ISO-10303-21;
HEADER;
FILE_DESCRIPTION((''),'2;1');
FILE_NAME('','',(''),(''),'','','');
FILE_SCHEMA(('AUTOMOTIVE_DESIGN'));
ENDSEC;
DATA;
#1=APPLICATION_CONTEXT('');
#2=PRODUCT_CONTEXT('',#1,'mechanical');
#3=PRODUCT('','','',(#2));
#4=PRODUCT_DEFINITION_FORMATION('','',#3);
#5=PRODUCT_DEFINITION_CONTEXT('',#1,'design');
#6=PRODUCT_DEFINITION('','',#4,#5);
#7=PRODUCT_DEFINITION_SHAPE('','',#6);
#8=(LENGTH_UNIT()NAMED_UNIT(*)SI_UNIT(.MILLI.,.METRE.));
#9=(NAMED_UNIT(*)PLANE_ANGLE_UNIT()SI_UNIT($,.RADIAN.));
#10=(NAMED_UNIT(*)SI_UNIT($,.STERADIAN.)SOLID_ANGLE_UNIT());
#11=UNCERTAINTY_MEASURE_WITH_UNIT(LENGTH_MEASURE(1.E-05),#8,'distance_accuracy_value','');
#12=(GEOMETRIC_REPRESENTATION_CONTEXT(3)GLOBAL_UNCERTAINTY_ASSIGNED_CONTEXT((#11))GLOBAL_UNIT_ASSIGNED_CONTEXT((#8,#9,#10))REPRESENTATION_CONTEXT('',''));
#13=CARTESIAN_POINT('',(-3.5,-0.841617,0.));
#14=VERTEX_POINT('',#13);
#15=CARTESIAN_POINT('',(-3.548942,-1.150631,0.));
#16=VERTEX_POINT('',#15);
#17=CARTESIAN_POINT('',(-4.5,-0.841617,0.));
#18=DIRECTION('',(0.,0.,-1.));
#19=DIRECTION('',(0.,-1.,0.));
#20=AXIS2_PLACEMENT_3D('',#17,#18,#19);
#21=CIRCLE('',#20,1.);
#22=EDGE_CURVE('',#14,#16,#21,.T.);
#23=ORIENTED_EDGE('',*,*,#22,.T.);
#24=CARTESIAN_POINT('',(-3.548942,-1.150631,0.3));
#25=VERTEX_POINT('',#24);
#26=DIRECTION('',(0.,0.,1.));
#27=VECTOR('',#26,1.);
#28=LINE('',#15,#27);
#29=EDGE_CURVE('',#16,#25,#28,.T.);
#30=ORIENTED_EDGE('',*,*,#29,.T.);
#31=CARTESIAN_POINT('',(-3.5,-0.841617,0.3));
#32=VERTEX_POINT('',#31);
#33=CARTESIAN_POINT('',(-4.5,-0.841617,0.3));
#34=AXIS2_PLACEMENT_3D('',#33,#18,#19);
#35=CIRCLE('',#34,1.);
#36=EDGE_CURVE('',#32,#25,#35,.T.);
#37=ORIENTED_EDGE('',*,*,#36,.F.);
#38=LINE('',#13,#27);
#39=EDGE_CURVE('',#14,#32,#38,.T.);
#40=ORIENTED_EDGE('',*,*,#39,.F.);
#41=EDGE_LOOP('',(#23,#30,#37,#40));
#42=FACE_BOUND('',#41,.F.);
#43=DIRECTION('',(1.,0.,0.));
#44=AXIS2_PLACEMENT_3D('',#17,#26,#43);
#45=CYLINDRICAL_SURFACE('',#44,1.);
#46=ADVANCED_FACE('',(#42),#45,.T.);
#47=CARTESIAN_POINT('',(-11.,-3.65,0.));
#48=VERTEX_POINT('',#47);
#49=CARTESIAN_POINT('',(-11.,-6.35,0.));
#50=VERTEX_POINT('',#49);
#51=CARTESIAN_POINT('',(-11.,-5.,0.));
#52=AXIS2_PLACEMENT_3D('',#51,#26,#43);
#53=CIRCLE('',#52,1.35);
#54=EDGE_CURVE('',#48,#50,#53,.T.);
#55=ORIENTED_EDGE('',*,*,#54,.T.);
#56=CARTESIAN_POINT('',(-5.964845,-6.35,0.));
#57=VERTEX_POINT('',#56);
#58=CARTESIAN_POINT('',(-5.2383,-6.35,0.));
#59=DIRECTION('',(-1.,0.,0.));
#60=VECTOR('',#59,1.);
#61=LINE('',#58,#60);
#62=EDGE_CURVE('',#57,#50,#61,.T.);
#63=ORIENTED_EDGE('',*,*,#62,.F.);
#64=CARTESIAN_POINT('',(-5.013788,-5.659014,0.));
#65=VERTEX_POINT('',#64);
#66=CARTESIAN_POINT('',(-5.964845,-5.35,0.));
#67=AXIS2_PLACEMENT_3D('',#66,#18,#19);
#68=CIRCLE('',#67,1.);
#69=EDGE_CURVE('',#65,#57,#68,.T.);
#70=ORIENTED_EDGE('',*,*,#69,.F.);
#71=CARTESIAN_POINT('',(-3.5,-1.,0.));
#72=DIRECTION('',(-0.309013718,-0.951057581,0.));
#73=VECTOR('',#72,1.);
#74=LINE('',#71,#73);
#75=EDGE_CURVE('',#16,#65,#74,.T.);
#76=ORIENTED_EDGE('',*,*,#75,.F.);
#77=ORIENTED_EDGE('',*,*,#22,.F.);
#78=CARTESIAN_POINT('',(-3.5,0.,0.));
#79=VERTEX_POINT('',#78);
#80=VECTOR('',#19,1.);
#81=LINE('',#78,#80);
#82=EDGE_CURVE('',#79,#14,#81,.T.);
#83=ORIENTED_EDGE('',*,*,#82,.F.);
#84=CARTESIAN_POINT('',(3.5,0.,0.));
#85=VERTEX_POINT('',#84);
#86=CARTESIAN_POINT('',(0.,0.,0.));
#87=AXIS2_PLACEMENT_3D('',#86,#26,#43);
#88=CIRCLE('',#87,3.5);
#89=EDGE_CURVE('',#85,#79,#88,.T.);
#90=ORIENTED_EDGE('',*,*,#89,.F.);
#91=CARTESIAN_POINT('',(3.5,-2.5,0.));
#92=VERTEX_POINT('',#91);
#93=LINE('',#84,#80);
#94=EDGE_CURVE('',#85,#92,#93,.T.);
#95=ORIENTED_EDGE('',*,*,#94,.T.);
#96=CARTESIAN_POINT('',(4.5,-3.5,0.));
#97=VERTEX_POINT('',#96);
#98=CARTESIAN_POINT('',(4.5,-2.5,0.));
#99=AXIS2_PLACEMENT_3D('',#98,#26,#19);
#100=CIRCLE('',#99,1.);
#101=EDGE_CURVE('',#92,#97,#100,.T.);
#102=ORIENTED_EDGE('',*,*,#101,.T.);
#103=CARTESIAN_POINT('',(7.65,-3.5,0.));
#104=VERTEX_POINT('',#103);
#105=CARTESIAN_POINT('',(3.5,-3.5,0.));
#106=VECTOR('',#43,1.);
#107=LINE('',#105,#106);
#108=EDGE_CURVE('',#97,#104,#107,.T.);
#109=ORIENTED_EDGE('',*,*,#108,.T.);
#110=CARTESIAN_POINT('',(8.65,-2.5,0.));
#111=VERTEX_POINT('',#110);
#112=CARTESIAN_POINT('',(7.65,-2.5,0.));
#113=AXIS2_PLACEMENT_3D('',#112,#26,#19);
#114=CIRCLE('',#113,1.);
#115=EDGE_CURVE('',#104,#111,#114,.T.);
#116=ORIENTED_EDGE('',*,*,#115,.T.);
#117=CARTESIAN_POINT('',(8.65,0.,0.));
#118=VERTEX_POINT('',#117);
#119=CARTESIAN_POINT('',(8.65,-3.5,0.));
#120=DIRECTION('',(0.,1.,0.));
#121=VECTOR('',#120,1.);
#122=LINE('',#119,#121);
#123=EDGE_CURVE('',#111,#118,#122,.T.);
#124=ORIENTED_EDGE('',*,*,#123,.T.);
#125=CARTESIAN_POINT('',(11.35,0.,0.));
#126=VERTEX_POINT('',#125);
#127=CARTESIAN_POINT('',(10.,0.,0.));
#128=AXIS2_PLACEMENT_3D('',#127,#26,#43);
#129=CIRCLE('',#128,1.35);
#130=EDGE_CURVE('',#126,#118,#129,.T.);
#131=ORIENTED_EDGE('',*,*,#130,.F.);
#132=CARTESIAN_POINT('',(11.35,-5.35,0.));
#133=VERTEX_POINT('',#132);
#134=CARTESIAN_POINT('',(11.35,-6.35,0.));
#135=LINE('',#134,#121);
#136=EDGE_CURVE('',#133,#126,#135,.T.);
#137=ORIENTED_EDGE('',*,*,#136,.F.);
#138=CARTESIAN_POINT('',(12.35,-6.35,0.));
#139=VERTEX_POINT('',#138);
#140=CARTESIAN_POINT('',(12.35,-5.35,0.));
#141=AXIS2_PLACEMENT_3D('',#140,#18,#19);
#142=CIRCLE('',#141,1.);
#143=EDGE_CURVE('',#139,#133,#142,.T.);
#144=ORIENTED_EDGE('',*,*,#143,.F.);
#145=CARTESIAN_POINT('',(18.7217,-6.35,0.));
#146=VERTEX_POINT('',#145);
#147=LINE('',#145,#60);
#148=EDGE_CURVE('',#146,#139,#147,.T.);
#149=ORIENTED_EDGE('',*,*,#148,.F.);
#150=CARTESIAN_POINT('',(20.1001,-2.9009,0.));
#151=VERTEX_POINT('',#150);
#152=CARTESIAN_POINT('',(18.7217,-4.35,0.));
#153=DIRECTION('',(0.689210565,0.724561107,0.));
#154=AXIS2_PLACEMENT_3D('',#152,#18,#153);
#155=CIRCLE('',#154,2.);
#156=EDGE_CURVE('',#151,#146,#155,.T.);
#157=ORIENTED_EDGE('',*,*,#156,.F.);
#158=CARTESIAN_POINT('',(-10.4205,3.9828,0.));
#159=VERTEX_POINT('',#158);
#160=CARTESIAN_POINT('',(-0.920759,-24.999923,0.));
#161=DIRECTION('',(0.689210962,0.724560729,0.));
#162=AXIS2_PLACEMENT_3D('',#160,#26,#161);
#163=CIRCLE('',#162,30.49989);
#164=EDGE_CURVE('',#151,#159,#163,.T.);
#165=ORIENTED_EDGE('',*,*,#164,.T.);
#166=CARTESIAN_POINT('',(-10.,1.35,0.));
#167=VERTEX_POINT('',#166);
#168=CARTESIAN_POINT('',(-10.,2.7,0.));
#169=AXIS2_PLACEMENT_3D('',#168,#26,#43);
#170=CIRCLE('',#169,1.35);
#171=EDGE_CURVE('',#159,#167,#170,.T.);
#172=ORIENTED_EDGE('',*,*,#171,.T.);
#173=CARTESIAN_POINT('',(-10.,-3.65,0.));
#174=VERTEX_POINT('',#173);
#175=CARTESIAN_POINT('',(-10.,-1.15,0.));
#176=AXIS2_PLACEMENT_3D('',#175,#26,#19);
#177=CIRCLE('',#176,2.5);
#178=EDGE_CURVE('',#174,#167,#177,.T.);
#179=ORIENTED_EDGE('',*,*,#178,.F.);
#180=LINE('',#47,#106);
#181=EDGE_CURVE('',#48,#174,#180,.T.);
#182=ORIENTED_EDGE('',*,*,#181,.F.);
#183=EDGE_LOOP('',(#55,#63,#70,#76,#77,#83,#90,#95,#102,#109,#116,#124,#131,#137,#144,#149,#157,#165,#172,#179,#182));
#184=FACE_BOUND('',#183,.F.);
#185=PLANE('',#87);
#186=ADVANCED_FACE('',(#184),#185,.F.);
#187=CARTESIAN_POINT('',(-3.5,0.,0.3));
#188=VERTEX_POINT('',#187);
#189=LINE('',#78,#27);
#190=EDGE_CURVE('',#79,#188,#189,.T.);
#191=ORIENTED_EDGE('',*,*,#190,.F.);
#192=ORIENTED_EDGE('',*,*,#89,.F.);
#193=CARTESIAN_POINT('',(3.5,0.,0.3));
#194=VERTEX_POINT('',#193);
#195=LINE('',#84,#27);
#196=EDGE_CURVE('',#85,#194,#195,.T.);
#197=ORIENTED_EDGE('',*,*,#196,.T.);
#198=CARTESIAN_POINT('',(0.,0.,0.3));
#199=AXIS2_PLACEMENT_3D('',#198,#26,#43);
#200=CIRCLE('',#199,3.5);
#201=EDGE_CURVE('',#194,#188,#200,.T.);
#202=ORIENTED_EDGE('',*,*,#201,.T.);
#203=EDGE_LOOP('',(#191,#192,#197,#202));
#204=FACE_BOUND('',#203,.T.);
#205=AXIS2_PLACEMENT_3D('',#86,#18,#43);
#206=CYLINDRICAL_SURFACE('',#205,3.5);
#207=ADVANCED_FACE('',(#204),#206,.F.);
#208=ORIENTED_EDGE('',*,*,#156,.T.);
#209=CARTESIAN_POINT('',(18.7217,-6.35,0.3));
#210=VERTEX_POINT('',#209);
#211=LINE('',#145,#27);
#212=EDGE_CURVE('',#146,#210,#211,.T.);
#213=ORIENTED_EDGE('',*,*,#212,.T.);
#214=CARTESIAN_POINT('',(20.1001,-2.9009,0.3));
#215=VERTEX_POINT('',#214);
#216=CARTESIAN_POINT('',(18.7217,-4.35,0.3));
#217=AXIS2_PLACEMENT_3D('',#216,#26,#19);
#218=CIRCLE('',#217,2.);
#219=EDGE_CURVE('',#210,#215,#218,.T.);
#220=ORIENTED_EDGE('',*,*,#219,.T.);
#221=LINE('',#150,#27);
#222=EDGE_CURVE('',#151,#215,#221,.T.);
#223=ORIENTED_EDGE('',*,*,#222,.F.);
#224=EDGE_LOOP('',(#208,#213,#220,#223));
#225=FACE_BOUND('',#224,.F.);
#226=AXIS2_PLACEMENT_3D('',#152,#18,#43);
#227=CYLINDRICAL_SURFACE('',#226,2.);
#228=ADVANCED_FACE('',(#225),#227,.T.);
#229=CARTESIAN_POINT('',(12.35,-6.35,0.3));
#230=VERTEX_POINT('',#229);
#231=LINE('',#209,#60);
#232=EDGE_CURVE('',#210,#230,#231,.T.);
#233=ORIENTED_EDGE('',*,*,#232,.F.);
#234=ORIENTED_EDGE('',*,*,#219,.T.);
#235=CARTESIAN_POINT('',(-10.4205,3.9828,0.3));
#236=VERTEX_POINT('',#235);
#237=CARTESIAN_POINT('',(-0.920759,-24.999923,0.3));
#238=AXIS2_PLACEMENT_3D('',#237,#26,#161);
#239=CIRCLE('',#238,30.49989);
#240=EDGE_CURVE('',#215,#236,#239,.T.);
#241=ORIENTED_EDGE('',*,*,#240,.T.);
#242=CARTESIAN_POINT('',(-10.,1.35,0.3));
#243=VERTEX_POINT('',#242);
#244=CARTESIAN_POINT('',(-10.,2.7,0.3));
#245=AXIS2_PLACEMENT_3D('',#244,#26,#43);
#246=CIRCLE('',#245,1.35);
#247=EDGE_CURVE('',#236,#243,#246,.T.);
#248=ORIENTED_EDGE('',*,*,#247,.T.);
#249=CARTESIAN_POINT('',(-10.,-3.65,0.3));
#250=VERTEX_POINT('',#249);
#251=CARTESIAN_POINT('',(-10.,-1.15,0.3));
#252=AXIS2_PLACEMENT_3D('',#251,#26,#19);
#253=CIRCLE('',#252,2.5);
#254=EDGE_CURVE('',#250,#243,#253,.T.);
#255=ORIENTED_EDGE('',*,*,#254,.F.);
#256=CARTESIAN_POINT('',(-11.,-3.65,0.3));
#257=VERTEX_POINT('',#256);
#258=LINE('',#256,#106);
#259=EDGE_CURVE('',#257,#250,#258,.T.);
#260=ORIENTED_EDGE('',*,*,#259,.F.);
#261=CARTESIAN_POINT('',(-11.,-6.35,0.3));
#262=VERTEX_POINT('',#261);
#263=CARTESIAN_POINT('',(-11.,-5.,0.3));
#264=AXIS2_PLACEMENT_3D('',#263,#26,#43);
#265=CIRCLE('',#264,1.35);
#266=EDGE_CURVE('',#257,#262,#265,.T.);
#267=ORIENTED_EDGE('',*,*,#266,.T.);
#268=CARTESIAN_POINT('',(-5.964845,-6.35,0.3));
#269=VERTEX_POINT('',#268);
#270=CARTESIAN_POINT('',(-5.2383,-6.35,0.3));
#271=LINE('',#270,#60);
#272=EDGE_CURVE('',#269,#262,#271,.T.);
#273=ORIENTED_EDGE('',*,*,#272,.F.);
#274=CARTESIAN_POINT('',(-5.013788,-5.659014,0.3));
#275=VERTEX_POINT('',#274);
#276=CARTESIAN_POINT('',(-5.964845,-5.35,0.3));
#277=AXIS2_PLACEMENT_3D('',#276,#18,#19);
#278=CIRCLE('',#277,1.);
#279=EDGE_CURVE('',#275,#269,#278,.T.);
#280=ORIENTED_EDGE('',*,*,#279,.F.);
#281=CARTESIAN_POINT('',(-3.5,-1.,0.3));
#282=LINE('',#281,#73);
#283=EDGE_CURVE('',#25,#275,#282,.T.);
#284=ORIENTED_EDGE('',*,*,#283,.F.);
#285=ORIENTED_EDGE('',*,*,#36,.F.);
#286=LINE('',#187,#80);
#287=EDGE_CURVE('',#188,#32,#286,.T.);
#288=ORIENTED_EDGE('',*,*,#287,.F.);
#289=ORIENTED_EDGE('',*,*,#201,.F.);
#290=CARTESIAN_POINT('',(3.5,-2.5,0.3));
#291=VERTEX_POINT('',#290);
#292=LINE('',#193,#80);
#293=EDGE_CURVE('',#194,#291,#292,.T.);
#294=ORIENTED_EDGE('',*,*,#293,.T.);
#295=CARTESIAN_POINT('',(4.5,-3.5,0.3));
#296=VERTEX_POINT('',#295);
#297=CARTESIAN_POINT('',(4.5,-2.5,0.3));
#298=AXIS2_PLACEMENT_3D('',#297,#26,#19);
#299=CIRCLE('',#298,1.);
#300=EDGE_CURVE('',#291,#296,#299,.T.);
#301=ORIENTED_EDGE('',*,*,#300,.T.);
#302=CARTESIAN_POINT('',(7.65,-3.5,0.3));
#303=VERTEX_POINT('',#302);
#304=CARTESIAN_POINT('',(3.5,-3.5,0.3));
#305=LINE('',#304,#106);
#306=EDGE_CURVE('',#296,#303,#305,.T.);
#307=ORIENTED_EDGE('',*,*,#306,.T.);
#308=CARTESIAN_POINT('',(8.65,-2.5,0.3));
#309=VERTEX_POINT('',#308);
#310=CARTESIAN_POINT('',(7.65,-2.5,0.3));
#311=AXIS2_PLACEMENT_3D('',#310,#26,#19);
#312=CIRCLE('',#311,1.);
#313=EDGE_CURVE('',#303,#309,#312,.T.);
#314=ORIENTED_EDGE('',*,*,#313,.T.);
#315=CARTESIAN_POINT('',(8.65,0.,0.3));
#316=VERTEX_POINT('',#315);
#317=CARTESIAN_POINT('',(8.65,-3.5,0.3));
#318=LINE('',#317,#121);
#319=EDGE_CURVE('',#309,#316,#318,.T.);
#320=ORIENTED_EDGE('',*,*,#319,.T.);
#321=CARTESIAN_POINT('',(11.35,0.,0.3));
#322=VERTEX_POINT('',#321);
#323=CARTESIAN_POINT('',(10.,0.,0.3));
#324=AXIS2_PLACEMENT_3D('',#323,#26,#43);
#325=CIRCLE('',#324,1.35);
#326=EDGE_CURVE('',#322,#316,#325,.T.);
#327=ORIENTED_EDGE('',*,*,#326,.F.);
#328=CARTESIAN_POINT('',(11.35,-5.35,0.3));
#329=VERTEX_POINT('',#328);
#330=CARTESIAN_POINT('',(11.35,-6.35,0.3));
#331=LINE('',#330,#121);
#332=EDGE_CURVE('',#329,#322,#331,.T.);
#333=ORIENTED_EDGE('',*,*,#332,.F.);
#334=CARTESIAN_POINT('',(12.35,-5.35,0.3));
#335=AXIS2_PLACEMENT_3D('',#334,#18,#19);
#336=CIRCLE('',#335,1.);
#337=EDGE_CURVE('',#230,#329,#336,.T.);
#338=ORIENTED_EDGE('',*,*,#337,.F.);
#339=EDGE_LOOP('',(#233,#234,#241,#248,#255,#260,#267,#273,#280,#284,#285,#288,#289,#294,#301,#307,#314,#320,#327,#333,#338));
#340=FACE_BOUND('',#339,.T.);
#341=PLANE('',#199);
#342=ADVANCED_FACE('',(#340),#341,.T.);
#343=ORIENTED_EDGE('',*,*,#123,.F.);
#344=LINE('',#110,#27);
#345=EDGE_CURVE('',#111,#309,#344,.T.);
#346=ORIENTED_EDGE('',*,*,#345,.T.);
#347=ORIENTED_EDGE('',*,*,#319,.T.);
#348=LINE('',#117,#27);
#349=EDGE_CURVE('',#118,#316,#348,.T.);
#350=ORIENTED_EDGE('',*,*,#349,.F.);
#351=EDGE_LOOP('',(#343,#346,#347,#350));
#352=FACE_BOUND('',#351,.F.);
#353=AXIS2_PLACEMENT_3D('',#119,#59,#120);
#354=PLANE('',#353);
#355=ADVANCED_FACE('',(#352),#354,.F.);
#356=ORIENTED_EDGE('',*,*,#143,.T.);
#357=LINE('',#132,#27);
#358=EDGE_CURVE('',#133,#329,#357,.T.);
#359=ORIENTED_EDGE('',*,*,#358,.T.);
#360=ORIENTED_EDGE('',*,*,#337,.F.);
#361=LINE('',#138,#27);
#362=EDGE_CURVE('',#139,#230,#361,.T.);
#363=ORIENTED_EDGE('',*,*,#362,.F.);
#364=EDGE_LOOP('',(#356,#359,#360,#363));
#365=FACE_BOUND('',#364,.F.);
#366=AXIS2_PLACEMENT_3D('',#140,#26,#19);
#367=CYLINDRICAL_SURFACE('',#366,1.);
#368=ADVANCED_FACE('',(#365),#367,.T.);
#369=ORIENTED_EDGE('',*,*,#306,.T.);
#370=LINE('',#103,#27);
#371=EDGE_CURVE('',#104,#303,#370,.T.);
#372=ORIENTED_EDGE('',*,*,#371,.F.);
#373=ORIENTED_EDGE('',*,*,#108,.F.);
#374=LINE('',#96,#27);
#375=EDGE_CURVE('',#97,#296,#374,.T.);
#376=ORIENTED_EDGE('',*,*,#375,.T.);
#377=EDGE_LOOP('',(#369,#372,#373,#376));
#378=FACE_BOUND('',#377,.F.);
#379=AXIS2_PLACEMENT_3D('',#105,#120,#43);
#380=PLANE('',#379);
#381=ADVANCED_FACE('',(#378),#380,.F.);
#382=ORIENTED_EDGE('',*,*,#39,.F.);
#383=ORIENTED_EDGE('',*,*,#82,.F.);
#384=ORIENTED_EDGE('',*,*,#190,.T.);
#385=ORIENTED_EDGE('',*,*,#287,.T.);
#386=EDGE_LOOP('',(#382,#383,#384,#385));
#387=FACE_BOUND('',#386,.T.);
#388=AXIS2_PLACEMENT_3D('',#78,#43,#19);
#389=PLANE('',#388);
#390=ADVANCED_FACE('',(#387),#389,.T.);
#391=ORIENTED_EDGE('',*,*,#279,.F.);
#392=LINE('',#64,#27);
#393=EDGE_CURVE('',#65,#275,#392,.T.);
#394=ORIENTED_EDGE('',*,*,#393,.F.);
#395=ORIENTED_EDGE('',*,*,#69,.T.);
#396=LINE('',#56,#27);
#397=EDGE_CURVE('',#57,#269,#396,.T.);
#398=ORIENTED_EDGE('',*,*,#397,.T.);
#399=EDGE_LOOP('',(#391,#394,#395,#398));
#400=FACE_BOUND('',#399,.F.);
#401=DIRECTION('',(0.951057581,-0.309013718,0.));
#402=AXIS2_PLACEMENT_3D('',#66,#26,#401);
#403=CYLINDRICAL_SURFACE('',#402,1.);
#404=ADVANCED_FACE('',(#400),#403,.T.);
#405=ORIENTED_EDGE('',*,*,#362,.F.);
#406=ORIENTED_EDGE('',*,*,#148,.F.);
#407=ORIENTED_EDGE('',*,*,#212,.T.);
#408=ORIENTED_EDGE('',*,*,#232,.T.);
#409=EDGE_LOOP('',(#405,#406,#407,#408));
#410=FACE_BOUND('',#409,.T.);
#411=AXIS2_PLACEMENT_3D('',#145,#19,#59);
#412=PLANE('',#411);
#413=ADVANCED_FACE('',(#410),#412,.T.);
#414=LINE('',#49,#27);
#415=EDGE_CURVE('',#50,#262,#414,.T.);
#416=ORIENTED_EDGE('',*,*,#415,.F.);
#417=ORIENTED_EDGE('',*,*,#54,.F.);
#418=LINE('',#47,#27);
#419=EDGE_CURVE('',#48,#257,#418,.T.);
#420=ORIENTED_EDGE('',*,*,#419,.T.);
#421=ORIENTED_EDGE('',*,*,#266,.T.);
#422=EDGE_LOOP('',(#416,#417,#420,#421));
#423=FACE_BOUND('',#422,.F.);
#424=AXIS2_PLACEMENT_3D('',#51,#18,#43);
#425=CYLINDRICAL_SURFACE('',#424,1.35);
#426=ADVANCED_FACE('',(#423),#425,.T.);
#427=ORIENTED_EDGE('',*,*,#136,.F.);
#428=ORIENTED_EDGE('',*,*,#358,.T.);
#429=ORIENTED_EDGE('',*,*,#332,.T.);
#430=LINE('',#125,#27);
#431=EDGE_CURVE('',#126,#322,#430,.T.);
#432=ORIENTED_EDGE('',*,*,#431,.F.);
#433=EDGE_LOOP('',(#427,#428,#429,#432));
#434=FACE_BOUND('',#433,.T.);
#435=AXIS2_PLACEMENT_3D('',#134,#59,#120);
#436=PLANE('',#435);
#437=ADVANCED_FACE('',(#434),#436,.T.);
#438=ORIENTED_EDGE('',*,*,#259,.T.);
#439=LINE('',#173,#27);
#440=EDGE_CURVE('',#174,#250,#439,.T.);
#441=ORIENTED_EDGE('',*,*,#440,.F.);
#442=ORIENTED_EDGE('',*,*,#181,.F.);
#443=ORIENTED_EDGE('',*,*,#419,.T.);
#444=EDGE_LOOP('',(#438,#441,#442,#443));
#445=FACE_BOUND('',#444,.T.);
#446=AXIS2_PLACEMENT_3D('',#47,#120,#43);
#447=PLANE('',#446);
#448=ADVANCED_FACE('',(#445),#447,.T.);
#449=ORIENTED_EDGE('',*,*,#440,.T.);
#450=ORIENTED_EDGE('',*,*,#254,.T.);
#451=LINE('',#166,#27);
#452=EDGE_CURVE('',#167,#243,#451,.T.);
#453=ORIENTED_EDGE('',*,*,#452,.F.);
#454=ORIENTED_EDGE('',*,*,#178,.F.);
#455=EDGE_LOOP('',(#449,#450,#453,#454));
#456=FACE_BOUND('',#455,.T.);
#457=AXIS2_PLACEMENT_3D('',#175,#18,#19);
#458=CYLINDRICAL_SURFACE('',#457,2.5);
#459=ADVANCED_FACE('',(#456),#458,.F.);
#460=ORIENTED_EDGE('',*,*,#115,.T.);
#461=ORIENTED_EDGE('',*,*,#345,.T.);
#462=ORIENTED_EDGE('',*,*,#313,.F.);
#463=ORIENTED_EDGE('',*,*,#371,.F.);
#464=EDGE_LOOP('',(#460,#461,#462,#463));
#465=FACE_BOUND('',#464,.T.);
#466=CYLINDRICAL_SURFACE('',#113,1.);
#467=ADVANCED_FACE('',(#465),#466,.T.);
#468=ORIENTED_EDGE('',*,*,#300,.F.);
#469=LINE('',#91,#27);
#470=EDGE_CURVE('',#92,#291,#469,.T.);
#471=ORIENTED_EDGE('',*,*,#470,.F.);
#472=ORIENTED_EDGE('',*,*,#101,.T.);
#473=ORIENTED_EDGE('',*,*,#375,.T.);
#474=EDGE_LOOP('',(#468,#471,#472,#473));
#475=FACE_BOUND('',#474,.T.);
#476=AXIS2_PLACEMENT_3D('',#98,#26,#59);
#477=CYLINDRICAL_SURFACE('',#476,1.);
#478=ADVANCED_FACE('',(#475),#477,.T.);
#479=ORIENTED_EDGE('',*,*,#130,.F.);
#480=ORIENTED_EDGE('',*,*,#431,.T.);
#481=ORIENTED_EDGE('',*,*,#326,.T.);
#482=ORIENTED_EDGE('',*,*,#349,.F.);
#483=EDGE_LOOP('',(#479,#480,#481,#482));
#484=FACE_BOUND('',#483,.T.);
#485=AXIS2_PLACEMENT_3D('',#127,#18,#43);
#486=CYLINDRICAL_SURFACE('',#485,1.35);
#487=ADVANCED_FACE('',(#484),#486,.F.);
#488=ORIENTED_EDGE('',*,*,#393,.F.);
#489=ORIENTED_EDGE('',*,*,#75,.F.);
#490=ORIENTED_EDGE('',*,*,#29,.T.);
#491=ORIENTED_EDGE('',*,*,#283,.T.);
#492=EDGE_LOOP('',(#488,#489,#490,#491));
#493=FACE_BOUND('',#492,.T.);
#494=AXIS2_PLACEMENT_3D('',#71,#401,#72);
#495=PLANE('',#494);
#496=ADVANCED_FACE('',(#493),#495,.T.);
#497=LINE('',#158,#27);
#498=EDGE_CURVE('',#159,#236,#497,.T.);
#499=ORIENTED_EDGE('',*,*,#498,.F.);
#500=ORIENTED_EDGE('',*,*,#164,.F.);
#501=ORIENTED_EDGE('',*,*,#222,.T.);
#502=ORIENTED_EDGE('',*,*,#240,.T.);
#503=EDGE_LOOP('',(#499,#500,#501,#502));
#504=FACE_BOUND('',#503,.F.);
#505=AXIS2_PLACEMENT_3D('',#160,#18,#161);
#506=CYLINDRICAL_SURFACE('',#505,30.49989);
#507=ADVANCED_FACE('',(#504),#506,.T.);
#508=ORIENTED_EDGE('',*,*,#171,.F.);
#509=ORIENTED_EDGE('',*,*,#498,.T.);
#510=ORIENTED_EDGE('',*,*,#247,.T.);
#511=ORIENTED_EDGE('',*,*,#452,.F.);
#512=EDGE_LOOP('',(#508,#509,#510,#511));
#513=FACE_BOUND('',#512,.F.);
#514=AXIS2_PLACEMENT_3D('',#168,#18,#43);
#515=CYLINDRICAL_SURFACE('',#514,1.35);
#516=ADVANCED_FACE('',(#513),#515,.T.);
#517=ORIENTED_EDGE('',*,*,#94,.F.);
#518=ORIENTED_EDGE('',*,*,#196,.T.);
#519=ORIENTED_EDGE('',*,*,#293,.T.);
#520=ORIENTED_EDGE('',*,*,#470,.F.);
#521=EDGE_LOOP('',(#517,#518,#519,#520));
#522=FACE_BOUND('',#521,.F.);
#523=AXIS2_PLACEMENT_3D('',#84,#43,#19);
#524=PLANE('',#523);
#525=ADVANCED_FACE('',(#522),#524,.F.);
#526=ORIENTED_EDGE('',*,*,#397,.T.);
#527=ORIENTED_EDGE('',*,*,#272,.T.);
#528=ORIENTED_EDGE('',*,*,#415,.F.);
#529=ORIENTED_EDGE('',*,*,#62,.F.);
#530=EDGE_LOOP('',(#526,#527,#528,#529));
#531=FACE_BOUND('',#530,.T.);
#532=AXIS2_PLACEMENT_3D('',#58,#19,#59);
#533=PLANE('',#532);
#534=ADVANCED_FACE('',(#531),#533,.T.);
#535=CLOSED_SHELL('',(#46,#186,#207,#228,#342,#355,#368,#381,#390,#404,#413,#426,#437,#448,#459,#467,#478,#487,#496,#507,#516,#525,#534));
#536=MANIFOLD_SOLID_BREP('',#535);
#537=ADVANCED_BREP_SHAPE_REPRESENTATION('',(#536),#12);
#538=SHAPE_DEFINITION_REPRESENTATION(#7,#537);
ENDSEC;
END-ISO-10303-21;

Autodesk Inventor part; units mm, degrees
ref_plane "YZ Plane" through (0, 0, 0) normal (1, 0, 0) x (0, 1, 0)
ref_plane "XZ Plane" through (0, 0, 0) normal (0, 1, 0) x (-1, 0, 0)
ref_plane "XY Plane" through (0, 0, 0) normal (0, 0, 1) x (1, 0, 0)
sketch "Sketch1" plane through (0, 0, 0) normal (0, 0, 1) x (1, 0, 0)
  circle A0 centre (0, 0) radius 3.5
  circle A1 centre (10, 0) radius 1.35
  circle A2 centre (18.7217, -4.35) radius 2
  line L0 (-3.5, 0) -> (-3.5, -1)
  line L1 (-3.5, -1) -> (-5.2383, -6.35)
  line L2 (-5.2383, -6.35) -> (-11, -6.35)
  line L3 (3.5, 0) -> (3.5, -3.5)
  line L4 (3.5, -3.5) -> (8.65, -3.5)
  line L5 (8.65, -3.5) -> (8.65, 0)
  arc A3 (20.1001, -2.9009) -> (-10.4205, 3.9828) centre (-0.9208, -25) ccw
  circle A4 centre (-10, 2.7) radius 1.35
  circle A5 centre (-11, -5) radius 1.35
  line L6 (18.7217, -6.35) -> (11.35, -6.35)
  line L7 (11.35, -6.35) -> (11.35, 0)
  line L8 (-11, -3.65) -> (-10, -3.65)
  arc A6 (-10, -3.65) -> (-10, 1.35) centre (-10, -1.15) ccw
  line L9 (-10, 1.35) -> (-10, 1.35)
  dimension "d0" = 3.5
  dimension "d1" = 1.35
  dimension "d2" = 10
  dimension "d5" = 1
  dimension "d6" = 30.5
  dimension "d10" = 20
  dimension "d15" = 21.5
  dimension "d16" = 18
  dimension "d18" = 2
  dimension "d20" = 10
  dimension "d21" = 11
  dimension "d22" = 2.5
extrude "Extrusion1" add sketch "Sketch1" along normal blind 0.3 contours A0 L0 L1 L2 A5 L8 A6 A4 A3 A2 L6 L7 A1 L5 L4 L3 | A5 | A2 | A4
fillet "Fillet1" radius 1 5 edges at (-5.2383, -6.35, 0.15) (-3.5, -1, 0.15) (3.5, -3.5, 0.15) (8.65, -3.5, 0.15) (11.35, -6.35, 0.15)
properties part number "308-15" material "Steel"
